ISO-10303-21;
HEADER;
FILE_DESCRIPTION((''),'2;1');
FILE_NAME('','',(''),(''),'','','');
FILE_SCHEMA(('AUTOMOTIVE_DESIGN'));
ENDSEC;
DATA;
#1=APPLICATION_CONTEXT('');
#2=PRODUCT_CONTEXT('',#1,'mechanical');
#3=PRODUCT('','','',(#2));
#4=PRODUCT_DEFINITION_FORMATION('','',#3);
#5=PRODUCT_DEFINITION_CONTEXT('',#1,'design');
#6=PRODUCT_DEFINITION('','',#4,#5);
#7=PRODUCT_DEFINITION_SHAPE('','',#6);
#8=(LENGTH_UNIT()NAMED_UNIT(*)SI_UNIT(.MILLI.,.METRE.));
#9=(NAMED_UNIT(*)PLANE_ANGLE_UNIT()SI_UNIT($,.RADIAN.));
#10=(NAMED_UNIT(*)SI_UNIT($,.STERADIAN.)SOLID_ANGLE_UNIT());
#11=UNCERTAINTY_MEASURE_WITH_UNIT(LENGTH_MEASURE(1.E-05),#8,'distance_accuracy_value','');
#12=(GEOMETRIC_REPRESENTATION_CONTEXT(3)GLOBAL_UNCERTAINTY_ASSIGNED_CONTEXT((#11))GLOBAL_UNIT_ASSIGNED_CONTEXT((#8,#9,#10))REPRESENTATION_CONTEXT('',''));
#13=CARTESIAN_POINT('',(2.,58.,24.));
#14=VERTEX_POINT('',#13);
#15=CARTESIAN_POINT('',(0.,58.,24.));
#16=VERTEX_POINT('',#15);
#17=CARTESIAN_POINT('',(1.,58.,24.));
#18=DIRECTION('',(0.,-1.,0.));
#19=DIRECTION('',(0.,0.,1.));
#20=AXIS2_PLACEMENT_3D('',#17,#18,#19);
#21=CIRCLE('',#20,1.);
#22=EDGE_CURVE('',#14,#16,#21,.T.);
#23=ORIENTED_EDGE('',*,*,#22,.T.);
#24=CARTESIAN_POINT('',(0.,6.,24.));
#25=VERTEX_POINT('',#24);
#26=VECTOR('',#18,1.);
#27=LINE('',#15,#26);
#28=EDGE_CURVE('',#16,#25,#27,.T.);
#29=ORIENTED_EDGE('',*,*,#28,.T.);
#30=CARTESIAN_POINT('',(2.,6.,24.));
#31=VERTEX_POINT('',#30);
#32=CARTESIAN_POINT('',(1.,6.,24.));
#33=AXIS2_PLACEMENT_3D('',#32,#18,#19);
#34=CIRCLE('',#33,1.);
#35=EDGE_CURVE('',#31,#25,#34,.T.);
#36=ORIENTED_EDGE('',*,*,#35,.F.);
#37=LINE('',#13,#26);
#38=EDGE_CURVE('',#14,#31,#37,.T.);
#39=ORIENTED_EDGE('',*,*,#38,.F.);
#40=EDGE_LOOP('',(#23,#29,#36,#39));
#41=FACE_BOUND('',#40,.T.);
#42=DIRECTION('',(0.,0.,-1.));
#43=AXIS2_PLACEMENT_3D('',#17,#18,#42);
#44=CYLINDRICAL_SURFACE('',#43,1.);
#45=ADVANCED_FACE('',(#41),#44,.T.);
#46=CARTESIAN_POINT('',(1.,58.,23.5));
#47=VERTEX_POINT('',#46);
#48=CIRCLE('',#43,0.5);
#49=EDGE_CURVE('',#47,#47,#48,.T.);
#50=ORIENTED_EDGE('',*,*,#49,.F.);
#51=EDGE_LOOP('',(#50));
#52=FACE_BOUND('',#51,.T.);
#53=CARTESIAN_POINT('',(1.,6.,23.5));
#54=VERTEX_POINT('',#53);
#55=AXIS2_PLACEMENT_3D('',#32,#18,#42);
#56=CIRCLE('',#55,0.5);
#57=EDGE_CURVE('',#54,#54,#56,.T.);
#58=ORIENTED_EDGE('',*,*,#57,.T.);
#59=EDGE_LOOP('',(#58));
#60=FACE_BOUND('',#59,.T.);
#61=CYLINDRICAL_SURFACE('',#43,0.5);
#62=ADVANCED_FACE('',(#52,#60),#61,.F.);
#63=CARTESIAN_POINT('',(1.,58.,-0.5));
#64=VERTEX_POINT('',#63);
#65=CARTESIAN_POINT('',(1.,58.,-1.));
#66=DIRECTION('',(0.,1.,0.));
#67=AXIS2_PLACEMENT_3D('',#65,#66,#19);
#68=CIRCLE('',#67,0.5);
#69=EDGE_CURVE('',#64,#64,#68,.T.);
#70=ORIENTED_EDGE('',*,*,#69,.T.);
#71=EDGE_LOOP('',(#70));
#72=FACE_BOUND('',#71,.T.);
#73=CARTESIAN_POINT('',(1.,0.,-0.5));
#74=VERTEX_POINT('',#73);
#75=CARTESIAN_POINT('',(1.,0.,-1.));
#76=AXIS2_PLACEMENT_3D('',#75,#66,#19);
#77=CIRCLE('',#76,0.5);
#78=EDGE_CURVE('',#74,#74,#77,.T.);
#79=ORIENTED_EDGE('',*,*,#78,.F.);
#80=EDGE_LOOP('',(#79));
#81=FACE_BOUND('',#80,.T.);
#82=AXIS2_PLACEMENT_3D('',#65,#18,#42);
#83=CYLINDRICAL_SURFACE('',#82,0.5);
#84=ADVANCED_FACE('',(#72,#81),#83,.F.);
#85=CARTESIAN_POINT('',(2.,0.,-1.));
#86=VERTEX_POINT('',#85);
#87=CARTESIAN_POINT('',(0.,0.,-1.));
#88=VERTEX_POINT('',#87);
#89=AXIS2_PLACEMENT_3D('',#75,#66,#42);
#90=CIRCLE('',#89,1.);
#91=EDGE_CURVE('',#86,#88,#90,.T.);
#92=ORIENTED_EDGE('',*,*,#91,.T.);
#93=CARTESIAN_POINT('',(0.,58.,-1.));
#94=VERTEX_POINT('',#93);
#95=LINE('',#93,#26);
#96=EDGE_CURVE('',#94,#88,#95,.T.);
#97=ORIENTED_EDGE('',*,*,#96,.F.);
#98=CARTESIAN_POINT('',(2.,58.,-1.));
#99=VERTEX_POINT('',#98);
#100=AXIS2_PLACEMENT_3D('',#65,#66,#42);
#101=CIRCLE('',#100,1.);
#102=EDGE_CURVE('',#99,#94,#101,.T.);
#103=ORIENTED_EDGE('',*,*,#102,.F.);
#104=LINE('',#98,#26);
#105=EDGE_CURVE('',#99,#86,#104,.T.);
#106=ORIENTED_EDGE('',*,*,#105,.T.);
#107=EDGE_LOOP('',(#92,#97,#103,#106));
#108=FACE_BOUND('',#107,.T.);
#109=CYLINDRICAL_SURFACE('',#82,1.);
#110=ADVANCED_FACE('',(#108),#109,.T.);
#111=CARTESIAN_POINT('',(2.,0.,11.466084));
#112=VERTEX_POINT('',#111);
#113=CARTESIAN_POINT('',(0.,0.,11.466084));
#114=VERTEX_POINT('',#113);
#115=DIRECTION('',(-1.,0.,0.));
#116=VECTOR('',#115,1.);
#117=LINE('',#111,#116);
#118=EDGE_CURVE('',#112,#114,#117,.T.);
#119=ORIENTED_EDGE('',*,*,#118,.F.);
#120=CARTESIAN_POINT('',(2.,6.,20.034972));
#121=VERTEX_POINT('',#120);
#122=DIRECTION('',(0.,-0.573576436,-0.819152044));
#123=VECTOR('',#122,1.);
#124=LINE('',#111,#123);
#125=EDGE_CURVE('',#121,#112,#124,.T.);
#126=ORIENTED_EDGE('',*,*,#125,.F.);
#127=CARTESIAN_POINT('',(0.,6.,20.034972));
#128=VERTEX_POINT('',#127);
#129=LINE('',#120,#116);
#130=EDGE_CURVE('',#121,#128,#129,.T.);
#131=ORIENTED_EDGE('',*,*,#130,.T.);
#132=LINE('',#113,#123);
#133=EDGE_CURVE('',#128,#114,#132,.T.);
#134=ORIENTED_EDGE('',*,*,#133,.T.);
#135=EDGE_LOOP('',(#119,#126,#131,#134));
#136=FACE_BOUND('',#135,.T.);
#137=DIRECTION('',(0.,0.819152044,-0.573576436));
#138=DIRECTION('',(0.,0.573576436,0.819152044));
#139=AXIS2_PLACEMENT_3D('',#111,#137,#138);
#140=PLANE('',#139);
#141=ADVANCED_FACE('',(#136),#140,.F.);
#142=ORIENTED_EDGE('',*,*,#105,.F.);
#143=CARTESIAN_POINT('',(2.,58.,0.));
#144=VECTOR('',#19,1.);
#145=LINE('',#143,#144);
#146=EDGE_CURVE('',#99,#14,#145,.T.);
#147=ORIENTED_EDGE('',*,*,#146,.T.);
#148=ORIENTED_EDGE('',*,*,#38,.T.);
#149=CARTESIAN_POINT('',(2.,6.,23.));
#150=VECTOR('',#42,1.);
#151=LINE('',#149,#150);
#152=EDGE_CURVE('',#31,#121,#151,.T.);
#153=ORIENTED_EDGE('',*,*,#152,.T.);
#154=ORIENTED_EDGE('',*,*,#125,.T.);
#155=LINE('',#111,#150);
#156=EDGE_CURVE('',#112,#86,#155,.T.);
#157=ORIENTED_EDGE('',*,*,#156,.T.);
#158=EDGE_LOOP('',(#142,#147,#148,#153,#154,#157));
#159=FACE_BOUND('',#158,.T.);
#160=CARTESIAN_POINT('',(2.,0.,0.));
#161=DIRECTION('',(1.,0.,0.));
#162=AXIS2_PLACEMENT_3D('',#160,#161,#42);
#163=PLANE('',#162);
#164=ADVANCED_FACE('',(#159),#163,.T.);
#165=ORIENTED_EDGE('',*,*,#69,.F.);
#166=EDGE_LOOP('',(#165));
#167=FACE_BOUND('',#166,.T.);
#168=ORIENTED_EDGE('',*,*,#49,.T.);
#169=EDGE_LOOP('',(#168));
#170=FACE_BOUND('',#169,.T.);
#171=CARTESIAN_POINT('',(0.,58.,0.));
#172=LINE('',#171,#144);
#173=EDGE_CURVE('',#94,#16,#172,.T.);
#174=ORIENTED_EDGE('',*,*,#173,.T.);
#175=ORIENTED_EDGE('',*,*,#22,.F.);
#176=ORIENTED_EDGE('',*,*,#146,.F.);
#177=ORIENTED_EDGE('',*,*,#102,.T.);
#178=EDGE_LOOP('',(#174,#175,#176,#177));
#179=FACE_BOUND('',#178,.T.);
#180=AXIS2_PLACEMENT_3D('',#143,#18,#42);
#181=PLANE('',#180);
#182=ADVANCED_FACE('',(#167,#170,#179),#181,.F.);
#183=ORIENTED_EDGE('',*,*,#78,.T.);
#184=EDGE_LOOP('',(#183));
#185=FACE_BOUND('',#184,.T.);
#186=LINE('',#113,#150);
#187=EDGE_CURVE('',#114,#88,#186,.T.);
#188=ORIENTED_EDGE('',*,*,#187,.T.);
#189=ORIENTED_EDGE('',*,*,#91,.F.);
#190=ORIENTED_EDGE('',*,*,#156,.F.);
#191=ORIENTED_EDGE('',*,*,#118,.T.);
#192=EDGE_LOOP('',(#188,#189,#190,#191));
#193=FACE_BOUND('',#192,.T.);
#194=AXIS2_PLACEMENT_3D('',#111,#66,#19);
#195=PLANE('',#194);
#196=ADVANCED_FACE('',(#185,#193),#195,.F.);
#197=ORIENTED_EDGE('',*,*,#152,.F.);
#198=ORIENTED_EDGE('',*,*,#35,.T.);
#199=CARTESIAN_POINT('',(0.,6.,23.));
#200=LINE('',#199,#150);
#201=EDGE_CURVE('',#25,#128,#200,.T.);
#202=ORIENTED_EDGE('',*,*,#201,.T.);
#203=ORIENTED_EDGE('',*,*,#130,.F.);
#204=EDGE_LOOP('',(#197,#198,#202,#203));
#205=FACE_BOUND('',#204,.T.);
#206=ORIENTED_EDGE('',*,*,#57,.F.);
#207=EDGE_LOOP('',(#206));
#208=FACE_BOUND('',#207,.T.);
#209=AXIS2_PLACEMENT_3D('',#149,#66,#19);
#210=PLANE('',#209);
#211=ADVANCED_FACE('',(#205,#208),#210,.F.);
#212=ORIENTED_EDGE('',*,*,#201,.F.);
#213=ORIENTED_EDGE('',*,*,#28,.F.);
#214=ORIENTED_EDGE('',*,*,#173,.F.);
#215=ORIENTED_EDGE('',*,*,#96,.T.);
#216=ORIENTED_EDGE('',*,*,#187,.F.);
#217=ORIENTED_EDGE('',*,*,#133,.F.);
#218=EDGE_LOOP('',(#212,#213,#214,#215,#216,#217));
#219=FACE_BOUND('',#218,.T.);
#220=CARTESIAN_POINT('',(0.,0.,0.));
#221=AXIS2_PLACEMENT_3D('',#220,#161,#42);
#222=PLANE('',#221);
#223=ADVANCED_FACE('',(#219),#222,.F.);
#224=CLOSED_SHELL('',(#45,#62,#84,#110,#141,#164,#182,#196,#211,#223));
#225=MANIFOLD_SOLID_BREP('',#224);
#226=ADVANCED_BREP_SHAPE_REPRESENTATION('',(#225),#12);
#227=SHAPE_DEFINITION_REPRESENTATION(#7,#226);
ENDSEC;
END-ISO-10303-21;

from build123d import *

# Parameters (mm, degrees)
EXTRUDE_1_DEPTH = 2
SKETCH_2_R      = 0.5
EXTRUDE_2_DEPTH = 58
SKETCH_3_R      = 0.5
EXTRUDE_3_DEPTH = 52


with BuildPart() as part:
    # Эскиз1 → Бобышка-Вытянуть1 (new body)
    with BuildSketch(Plane(origin=(0, 0, 0), x_dir=(0, 0, -1), z_dir=(1, 0, 0))):
        Polygon((-23, 6), (-20.034972426, 6), (-11.466084386, 0), (0, 0), (0, 58), (-23, 58), align=None)
    extrude(amount=EXTRUDE_1_DEPTH)

    # Эскиз2 → Бобышка-Вытянуть2 (add)
    with BuildSketch(Plane(origin=(0, 0, 0), x_dir=(1, 0, 0), z_dir=(0, 1, 0))):
        with BuildLine():
            Line((0, 1), (0, 0))
            Line((0, 0), (2, 0))
            Line((2, 0), (2, 1))
            ThreePointArc((2, 1), (1, 2), (0, 1))
        make_face()
        with Locations(Location((1, 1, 0), (0, 0, 270))):
            Circle(SKETCH_2_R, mode=Mode.SUBTRACT)
    extrude(amount=EXTRUDE_2_DEPTH)

    # Эскиз3 → Бобышка-Вытянуть3 (add)
    with BuildSketch(Plane.XZ.offset(-6)):
        with BuildLine():
            Line((0, 23), (0, 24))
            ThreePointArc((0, 24), (1, 25), (2, 24))
            Line((2, 24), (2, 23))
            Line((2, 23), (0, 23))
        make_face()
        with Locations(Location((1, 24, 0), (0, 0, 270))):
            Circle(SKETCH_3_R, mode=Mode.SUBTRACT)
    extrude(amount=-EXTRUDE_3_DEPTH)


solid = part.part
